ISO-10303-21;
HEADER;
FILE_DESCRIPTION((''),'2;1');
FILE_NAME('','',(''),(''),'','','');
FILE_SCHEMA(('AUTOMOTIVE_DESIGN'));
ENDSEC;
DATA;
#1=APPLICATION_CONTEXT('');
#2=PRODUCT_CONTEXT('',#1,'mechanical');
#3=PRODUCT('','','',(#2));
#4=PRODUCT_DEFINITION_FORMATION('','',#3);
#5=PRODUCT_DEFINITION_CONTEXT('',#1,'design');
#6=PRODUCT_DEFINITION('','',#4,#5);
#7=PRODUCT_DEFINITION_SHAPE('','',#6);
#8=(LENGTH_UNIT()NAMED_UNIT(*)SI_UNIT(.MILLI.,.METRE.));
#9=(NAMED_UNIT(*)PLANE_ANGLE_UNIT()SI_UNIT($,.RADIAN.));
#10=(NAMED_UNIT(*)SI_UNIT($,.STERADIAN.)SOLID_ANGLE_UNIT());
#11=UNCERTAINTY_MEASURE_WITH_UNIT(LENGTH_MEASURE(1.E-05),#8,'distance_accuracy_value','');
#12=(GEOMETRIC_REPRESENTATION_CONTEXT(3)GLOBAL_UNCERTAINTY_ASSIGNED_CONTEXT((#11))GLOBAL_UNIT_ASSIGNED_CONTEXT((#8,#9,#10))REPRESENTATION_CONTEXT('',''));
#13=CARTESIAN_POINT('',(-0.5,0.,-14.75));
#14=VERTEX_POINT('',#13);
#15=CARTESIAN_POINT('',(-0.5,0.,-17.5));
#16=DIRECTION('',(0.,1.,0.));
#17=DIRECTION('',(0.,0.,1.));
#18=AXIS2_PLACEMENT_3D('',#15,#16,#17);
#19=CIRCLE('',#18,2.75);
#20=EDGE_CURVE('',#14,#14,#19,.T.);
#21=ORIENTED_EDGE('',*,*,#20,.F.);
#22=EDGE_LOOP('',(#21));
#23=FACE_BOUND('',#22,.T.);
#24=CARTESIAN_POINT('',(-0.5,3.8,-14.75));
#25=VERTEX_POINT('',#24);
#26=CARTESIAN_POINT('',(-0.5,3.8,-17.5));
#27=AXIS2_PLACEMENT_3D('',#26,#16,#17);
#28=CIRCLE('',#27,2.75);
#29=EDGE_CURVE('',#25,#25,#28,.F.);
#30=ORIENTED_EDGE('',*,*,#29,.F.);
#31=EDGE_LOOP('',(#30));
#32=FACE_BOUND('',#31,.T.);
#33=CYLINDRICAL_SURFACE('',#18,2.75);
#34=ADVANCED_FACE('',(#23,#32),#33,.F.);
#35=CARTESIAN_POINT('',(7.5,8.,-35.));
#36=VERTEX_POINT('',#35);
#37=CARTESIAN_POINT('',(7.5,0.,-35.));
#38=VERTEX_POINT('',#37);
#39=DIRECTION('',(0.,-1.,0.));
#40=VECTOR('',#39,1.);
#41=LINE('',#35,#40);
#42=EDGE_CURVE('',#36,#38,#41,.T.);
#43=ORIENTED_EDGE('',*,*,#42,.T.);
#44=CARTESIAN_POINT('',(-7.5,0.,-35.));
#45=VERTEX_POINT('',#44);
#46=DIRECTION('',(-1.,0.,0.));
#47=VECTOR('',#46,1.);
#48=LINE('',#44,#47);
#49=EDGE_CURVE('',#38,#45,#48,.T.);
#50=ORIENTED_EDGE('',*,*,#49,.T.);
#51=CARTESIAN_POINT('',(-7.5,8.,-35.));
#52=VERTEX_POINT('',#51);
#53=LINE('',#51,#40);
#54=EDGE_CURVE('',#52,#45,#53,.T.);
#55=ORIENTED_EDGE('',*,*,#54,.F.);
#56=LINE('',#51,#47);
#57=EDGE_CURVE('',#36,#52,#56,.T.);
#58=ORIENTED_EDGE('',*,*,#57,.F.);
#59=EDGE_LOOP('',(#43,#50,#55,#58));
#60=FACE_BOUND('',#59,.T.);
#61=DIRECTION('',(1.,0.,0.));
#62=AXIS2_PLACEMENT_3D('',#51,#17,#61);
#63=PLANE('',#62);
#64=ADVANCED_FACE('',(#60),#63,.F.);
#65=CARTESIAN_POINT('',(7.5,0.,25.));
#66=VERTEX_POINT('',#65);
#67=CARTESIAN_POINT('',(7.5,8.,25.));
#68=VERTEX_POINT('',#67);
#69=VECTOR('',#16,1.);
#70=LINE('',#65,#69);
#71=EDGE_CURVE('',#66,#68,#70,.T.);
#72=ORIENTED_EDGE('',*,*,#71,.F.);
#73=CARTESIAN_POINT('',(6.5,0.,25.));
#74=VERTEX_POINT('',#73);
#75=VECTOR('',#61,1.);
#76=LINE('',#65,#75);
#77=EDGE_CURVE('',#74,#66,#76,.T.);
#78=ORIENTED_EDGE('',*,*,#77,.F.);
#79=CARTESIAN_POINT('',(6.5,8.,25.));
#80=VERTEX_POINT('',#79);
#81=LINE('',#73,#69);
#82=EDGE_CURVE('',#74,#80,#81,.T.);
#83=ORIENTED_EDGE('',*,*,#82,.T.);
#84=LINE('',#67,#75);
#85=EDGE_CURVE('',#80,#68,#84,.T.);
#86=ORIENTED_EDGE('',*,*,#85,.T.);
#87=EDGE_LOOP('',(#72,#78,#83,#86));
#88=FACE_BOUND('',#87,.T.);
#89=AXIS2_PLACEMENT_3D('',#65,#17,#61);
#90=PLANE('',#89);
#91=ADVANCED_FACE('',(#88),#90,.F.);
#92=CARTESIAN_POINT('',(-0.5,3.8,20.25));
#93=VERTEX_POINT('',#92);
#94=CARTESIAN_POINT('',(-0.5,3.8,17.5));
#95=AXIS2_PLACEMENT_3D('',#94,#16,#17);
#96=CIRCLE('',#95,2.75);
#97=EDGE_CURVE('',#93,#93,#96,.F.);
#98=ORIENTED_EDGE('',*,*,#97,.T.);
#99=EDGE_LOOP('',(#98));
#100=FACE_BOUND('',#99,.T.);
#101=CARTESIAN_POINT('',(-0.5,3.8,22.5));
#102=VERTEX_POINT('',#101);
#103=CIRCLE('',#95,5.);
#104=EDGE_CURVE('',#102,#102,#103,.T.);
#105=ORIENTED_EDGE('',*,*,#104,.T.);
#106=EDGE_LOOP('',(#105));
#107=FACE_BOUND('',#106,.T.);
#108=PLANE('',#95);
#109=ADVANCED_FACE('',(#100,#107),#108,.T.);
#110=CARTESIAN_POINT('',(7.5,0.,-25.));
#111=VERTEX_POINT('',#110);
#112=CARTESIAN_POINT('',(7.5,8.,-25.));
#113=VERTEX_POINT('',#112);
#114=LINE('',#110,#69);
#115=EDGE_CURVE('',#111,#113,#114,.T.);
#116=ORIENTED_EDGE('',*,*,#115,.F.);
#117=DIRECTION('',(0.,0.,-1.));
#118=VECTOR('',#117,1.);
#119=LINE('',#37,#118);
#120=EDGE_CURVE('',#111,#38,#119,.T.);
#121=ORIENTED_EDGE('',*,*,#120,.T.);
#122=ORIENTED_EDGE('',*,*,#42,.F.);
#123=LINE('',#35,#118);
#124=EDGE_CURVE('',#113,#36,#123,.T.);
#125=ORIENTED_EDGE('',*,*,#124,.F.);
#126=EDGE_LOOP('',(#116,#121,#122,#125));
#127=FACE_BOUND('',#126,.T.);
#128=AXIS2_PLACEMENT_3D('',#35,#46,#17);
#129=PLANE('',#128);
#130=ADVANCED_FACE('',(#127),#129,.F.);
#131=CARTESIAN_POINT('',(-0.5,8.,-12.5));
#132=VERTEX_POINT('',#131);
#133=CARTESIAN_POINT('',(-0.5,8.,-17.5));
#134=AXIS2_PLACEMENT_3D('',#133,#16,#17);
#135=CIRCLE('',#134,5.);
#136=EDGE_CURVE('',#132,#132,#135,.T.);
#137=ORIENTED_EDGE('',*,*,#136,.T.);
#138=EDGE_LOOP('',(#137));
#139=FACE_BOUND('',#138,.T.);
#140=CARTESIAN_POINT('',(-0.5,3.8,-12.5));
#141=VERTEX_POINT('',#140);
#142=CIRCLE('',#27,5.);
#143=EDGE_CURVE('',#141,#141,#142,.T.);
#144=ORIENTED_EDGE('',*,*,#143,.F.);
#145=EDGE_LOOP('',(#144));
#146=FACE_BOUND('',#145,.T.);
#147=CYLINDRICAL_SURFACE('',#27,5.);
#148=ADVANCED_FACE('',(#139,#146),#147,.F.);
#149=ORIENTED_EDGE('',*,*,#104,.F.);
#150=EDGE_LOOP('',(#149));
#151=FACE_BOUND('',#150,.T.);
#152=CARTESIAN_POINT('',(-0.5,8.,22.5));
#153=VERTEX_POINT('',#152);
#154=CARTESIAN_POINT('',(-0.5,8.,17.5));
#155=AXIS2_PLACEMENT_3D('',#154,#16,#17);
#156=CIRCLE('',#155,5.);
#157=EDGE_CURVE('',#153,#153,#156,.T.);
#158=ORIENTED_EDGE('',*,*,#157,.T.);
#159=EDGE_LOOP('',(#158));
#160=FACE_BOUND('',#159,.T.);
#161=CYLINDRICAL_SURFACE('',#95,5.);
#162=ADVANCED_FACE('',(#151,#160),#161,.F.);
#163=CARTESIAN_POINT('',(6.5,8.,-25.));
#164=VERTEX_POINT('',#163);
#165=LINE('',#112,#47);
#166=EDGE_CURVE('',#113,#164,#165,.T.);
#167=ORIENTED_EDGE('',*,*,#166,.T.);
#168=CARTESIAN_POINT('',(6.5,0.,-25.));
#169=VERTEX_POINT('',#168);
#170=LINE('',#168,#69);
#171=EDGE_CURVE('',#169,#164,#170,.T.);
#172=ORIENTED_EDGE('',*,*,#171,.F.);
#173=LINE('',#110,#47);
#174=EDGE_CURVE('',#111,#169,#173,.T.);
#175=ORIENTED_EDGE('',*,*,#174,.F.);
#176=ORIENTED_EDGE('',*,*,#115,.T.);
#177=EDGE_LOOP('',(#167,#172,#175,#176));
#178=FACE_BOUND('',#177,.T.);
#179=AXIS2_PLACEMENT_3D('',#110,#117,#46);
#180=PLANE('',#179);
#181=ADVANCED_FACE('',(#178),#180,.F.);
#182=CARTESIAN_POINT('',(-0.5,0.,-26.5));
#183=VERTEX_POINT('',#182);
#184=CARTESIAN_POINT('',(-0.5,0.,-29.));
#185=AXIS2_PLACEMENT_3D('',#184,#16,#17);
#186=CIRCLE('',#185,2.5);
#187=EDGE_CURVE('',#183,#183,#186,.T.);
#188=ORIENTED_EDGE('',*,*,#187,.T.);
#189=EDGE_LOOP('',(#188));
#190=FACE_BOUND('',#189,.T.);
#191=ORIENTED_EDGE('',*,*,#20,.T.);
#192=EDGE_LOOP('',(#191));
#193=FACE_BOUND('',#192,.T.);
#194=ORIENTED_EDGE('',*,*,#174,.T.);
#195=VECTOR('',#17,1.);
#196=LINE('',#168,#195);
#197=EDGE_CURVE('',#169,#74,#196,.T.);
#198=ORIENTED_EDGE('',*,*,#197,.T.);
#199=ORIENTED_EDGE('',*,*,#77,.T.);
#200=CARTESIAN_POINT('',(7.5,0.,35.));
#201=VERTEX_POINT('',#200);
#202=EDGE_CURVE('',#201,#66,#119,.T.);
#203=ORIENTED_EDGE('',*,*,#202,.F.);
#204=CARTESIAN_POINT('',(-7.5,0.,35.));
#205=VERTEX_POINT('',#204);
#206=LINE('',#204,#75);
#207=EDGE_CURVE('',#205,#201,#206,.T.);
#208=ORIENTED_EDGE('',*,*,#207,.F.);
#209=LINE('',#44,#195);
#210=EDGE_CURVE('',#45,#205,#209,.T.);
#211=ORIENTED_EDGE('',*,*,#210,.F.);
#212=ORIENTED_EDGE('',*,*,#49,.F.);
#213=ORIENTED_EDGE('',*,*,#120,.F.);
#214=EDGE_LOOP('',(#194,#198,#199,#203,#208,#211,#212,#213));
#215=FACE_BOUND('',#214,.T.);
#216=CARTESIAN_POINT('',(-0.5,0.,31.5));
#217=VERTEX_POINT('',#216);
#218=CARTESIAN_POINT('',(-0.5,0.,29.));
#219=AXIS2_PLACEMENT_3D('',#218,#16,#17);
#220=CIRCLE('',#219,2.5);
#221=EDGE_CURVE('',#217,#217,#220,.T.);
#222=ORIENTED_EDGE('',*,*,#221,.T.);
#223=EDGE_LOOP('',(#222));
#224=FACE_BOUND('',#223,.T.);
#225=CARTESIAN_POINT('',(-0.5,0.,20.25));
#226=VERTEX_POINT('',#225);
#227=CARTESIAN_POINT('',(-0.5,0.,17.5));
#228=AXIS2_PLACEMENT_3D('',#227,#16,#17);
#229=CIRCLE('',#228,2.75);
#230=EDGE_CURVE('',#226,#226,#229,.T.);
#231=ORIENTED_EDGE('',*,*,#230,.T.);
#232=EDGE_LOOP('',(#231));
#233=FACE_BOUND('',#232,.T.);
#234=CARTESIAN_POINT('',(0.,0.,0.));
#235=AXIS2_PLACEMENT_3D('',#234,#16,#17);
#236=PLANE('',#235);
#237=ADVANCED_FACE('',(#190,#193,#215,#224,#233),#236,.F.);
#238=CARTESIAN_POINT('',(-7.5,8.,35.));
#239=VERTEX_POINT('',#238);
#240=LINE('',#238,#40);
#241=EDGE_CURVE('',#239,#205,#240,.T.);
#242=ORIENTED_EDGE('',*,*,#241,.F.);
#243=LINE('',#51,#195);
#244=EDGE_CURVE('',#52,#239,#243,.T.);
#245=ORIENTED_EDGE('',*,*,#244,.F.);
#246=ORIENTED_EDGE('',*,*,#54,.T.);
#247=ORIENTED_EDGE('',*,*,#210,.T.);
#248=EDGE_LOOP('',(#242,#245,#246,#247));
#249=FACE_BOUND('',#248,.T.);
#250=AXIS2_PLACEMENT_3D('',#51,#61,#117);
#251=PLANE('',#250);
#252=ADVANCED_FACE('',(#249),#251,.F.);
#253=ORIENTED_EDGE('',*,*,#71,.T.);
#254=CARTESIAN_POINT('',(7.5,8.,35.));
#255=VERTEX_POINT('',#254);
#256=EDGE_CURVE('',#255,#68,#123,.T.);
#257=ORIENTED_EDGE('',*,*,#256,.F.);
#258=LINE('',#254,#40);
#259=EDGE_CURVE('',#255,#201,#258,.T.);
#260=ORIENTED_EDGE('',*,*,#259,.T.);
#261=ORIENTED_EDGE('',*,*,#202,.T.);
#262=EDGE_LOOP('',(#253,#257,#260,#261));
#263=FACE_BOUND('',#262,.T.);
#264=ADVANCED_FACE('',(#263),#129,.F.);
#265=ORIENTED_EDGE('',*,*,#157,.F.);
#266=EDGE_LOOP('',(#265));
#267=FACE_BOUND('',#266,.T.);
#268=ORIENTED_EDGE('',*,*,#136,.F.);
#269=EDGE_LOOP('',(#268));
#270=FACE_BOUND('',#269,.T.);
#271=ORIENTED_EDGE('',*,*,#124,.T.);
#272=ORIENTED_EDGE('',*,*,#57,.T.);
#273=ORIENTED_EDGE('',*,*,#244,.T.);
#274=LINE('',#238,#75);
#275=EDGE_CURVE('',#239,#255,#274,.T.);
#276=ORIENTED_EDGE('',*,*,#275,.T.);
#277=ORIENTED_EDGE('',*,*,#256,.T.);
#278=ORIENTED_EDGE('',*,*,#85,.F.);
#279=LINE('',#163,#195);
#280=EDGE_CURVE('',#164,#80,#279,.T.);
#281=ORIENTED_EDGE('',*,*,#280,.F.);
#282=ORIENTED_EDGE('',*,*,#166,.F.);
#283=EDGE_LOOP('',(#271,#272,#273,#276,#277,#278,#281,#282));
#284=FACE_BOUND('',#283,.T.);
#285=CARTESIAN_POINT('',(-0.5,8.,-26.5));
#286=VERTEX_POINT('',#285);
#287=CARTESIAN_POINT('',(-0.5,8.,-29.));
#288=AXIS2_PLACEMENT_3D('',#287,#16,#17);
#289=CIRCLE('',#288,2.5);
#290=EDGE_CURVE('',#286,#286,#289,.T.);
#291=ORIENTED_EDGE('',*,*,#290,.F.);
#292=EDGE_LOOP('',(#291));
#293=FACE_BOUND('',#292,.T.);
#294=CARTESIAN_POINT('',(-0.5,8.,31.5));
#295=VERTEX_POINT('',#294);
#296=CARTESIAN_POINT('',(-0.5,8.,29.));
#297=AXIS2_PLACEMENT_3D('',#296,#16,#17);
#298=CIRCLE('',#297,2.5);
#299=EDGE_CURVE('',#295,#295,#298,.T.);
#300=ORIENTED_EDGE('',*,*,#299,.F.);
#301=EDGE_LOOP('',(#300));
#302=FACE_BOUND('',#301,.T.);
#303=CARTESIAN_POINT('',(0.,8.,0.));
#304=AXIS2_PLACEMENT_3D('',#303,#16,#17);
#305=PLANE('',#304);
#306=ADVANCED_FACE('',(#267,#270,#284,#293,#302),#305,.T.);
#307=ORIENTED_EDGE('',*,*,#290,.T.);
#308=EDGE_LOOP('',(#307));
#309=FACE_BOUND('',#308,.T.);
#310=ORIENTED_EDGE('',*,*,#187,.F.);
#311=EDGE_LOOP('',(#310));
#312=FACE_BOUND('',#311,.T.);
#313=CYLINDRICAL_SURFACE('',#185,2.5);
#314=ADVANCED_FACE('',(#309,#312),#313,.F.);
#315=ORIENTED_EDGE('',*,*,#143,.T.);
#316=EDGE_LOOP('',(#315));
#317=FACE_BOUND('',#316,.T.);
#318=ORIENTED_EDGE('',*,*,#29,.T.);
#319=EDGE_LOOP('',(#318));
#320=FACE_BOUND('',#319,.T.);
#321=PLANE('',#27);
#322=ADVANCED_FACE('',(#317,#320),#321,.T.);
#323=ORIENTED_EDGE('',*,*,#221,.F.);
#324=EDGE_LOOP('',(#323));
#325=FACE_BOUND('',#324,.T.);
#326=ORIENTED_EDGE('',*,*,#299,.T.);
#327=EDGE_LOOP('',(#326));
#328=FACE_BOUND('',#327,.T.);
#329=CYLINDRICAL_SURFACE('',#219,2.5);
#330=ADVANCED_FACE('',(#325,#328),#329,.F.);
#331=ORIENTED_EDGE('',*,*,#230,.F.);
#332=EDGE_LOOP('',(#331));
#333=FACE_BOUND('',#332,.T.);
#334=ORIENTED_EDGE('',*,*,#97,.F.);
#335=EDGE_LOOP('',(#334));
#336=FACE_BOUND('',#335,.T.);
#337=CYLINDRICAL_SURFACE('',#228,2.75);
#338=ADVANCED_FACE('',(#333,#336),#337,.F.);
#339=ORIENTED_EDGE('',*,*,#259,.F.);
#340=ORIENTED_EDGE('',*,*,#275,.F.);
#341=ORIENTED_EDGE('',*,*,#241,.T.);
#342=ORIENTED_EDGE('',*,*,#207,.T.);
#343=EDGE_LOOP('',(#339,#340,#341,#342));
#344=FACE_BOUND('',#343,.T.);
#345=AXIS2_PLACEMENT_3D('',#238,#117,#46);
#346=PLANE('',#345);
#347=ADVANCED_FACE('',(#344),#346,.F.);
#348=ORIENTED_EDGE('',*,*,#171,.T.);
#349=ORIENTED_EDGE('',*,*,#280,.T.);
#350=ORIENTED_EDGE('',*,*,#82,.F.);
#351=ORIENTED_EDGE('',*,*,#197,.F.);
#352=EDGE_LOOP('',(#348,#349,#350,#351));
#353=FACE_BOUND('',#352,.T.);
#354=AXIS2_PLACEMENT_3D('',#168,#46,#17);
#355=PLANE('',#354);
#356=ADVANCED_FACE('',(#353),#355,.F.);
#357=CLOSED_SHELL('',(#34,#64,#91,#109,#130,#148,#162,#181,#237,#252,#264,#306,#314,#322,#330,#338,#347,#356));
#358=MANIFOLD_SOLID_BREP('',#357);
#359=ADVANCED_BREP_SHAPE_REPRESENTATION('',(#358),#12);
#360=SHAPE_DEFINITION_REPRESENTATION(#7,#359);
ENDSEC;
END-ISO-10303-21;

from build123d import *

# Parameters (mm, degrees)
SKETCH1_W           = 15
SKETCH1_H           = 70
BOSS_EXTRUDE1_DEPTH = 8
SKETCH2_W           = 1
SKETCH2_H           = 50
CUT_EXTRUDE1_DEPTH  = 8
SKETCH3_R           = 2.5
CUT_EXTRUDE2_DEPTH  = 8
SKETCH4_R           = 2.75
CUT_EXTRUDE3_DEPTH  = 8
SKETCH5_R           = 5
CUT_EXTRUDE4_DEPTH  = 4.2


with BuildPart() as part:
    # Sketch1 → Boss-Extrude1 (new body)
    with BuildSketch(Plane(origin=(0, 0, 0), x_dir=(1, 0, 0), z_dir=(0, 1, 0))):
        Rectangle(SKETCH1_W, SKETCH1_H)
    extrude(amount=BOSS_EXTRUDE1_DEPTH)

    # Sketch2 → Cut-Extrude1 (cut)
    with BuildSketch(Plane(origin=(0, 8, 0), x_dir=(1, 0, 0), z_dir=(0, 1, 0))):
        with Locations((7, 0)):
            Rectangle(SKETCH2_W, SKETCH2_H)
    extrude(amount=-CUT_EXTRUDE1_DEPTH, mode=Mode.SUBTRACT)

    # Sketch3 → Cut-Extrude2 (cut)
    with BuildSketch(Plane(origin=(0, 8, 0), x_dir=(1, 0, 0), z_dir=(0, 1, 0))):
        with Locations((-0.5, -29)):
            Circle(SKETCH3_R)
        with Locations((-0.5, 29)):
            Circle(SKETCH3_R)
    extrude(amount=-CUT_EXTRUDE2_DEPTH, mode=Mode.SUBTRACT)

    # Sketch4 → Cut-Extrude3 (cut)
    with BuildSketch(Plane(origin=(0, 8, 0), x_dir=(1, 0, 0), z_dir=(0, 1, 0))):
        with Locations((-0.5, -17.5)):
            Circle(SKETCH4_R)
        with Locations((-0.5, 17.5)):
            Circle(SKETCH4_R)
    extrude(amount=-CUT_EXTRUDE3_DEPTH, mode=Mode.SUBTRACT)

    # Sketch5 → Cut-Extrude4 (cut)
    with BuildSketch(Plane(origin=(0, 8, 0), x_dir=(1, 0, 0), z_dir=(0, 1, 0))):
        with Locations((-0.5, 17.5)):
            Circle(SKETCH5_R)
        with Locations((-0.5, -17.5)):
            Circle(SKETCH5_R)
    extrude(amount=-CUT_EXTRUDE4_DEPTH, mode=Mode.SUBTRACT)


solid = part.part
